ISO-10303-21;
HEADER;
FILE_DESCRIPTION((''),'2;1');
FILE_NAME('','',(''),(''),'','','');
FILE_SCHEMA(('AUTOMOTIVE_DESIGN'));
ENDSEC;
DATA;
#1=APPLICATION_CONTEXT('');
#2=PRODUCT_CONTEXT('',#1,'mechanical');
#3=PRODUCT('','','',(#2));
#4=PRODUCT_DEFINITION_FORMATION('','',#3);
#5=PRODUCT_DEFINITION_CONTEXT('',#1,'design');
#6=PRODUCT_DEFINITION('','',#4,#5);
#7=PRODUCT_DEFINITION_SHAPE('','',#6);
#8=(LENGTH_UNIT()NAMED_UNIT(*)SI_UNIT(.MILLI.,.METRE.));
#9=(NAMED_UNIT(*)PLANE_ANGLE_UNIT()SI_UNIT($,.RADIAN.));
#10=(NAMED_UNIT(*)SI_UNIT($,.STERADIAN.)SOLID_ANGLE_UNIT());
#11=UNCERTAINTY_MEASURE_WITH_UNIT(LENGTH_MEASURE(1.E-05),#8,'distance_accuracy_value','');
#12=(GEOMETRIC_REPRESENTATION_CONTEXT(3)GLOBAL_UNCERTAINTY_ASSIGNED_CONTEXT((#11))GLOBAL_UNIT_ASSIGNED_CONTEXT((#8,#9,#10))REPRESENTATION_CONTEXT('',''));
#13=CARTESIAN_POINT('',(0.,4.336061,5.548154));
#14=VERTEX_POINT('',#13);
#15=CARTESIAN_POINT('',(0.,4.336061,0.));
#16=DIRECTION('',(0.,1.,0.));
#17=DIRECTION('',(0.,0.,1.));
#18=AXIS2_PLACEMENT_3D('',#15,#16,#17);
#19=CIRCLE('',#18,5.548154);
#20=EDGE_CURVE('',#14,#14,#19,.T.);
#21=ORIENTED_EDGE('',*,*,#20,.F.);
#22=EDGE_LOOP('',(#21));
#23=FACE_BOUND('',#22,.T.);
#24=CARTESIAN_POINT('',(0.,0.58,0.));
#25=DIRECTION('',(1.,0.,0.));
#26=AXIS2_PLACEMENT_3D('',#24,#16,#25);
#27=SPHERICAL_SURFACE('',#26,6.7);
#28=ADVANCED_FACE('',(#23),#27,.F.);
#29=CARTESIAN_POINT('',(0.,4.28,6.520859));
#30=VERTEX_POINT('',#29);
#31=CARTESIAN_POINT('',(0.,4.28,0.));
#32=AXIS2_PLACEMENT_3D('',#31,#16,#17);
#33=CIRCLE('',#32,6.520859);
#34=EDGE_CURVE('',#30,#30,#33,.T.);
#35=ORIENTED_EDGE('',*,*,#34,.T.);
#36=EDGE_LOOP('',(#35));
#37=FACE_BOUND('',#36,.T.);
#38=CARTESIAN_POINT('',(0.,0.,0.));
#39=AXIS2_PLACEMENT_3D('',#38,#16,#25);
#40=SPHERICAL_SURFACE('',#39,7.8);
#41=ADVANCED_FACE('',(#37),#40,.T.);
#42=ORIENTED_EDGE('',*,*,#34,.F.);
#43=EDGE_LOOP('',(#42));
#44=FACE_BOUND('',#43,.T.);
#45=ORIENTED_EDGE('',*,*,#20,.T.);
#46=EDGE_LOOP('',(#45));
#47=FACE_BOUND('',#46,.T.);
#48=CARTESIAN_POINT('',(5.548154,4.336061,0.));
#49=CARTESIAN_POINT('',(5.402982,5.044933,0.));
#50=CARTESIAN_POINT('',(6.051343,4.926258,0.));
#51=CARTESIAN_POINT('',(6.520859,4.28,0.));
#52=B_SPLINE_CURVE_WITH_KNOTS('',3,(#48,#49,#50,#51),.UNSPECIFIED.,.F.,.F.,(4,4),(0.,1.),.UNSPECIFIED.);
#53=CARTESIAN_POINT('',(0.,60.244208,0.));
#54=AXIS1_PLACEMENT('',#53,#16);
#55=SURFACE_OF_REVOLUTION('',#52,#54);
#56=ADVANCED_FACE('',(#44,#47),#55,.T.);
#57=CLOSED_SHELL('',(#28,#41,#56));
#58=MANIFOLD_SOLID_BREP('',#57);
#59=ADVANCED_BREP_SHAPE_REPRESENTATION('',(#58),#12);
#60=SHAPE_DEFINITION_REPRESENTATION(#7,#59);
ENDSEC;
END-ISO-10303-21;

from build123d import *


with BuildPart() as part:
    # Sketch6 → Revolve1 (revolve)
    with BuildSketch(Plane.XY):
        with BuildLine():
            ThreePointArc((5.548153632, 4.336060606), (3.140413503, 6.498429102), (0, 7.28))
            Line((0, 7.28), (0, 7.8))
            ThreePointArc((0, 7.8), (3.705131577, 6.863818179), (6.520858839, 4.28))
            add(Edge.make_bspline(
                [(5.548153632, 4.336060606), (5.40298249, 5.044933477), (6.051343216, 4.92625791), (6.520858839, 4.28)],
                knots=[0, 0, 0, 0, 1, 1, 1, 1], degree=3))
        make_face()
    revolve(axis=Axis((0, 60.244207804, 0), (0, -1, 0)))


solid = part.part
